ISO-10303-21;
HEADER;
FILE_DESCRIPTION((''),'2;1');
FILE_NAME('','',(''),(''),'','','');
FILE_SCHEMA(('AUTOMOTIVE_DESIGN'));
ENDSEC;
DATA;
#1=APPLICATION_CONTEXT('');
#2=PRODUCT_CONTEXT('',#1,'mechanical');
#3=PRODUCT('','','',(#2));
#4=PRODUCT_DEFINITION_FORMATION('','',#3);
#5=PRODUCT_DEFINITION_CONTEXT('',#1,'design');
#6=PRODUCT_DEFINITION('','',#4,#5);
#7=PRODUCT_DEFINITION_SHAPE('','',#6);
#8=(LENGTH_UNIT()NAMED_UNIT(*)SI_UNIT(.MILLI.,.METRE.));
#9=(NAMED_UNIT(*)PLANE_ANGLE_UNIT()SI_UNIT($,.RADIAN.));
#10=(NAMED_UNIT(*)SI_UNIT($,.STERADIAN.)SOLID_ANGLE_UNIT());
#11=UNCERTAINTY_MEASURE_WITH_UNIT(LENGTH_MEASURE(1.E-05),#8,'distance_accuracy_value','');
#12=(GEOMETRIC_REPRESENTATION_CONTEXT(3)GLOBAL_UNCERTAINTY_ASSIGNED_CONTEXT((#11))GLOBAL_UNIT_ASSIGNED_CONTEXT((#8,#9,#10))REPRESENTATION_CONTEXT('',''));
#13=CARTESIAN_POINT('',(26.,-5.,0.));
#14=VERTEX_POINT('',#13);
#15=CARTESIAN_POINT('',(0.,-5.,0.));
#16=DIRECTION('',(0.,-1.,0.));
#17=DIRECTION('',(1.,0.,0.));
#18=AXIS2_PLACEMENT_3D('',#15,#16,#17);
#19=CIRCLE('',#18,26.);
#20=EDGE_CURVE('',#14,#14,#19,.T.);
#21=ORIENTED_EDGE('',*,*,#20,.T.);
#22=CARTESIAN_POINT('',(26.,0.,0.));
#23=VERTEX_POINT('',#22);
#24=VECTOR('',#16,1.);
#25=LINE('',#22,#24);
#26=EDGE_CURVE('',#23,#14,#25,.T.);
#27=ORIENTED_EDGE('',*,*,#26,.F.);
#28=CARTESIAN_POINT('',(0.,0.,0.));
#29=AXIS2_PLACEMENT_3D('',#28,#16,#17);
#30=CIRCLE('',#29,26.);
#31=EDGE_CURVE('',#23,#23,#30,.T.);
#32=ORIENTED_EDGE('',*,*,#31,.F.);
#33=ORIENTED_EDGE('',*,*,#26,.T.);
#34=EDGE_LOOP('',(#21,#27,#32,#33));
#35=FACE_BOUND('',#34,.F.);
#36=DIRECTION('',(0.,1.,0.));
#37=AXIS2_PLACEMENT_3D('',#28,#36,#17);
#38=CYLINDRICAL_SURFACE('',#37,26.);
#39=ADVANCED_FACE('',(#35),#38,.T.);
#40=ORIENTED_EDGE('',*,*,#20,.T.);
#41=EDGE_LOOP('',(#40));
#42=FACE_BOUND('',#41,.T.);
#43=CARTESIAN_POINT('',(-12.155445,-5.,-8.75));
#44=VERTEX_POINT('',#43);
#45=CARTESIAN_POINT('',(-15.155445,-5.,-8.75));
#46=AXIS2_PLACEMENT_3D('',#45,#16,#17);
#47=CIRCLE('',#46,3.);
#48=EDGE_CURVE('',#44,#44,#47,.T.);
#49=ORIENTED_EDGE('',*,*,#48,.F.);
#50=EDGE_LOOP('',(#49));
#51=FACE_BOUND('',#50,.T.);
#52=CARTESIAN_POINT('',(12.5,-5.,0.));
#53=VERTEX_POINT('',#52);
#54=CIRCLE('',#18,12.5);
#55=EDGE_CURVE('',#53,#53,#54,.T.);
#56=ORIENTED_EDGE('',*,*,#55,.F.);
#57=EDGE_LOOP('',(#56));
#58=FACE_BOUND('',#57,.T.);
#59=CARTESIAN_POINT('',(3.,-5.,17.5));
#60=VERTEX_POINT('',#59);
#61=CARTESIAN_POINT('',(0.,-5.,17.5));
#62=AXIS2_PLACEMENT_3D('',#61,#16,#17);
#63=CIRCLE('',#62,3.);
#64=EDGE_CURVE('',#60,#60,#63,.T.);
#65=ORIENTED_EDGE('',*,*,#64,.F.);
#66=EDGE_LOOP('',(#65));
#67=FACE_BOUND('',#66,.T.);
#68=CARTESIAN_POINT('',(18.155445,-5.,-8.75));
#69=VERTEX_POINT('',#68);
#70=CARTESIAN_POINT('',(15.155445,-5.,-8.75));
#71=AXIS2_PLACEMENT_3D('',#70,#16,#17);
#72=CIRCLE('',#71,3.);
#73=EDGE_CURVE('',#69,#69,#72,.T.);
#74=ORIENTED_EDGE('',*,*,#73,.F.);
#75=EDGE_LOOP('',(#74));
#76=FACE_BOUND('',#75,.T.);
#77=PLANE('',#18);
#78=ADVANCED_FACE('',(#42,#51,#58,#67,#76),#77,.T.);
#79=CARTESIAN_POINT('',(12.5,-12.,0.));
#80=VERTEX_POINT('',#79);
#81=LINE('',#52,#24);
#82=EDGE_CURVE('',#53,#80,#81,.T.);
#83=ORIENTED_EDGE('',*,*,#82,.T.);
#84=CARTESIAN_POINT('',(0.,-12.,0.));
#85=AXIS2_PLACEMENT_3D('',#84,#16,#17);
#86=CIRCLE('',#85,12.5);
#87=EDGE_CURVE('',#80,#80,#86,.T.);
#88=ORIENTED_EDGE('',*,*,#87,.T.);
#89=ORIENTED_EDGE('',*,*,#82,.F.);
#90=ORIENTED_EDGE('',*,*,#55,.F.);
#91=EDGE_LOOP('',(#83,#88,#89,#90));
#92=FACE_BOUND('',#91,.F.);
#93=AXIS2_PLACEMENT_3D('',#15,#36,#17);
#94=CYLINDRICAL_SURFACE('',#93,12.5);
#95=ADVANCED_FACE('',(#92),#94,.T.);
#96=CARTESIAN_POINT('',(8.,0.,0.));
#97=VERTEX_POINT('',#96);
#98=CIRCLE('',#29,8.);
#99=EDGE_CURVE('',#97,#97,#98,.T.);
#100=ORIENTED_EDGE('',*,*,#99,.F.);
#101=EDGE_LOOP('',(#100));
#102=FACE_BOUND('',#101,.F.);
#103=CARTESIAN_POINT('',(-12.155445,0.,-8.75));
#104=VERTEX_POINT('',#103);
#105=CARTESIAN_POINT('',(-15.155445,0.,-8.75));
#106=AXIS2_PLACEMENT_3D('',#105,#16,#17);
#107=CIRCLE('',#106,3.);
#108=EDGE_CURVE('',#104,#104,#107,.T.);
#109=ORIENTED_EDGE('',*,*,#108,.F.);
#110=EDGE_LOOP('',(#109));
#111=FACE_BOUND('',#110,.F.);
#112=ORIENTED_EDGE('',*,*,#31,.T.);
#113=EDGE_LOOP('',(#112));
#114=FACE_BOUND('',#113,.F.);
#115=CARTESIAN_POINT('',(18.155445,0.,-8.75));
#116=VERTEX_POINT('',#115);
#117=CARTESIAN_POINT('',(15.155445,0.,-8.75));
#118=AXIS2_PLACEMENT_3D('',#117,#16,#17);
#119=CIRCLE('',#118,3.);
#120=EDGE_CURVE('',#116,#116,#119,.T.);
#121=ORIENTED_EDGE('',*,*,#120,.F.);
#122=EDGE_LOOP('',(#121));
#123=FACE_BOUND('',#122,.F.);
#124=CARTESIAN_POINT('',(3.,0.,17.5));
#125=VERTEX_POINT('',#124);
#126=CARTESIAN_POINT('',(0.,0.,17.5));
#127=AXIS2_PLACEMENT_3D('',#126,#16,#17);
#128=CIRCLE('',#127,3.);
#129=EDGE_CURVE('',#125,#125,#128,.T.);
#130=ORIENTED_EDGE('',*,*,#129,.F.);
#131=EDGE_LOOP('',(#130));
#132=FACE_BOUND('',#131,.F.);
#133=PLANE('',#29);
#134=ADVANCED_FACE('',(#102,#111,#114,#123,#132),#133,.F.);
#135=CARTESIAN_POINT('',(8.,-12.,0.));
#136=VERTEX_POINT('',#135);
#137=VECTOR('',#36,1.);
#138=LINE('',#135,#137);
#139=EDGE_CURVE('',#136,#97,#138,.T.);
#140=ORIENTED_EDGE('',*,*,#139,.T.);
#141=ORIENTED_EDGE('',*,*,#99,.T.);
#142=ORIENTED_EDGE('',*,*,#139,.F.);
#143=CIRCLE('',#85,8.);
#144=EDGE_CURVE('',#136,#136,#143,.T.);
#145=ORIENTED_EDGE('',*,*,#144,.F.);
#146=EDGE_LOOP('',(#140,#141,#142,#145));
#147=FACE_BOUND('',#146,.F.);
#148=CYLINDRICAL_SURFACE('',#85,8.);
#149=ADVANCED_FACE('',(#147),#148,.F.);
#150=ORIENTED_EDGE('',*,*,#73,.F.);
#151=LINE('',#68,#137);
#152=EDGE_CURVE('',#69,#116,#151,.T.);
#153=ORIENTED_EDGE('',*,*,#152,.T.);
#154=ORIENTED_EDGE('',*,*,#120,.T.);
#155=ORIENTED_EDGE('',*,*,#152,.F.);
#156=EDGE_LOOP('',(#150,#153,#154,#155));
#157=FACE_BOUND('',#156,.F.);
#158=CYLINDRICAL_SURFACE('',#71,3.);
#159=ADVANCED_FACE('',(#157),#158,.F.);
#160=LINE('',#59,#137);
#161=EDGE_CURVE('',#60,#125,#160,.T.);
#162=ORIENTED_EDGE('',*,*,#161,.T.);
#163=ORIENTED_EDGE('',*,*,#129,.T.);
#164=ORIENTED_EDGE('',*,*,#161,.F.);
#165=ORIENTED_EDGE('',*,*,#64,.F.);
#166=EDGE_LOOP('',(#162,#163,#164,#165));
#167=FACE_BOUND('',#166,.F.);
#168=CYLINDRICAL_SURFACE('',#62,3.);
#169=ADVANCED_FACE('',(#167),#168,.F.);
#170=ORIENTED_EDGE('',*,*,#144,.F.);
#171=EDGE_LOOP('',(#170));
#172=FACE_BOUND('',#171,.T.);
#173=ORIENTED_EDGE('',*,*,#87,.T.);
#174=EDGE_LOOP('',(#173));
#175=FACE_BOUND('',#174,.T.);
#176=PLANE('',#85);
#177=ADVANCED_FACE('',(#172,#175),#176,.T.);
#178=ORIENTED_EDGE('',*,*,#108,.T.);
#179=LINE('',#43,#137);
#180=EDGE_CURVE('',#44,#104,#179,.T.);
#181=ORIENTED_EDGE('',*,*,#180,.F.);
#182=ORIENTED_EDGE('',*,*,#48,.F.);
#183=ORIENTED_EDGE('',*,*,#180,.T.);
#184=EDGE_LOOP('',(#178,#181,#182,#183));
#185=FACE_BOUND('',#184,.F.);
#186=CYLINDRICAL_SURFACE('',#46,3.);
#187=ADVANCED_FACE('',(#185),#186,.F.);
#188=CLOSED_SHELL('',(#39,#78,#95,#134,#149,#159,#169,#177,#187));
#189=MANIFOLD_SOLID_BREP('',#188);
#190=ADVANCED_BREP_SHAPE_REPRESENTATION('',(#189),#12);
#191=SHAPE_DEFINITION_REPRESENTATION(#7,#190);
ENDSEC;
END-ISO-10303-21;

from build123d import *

# Parameters (mm, degrees)
F0_R     = 26
F1_DEPTH = 5
F2_R     = 12.5
F3_DEPTH = 7
F4_R     = 3
F5_DEPTH = 25
F6_R     = 8
F7_DEPTH = 25


with BuildPart() as f1:
    # F0 (on Front) → F1 (new body)
    with BuildSketch(Plane.XZ):
        Circle(F0_R)
    extrude(amount=F1_DEPTH)

    # F2 (on face) → F3 (join)
    with BuildSketch(Plane.XZ.offset(5)):
        Circle(F2_R)
    extrude(amount=F3_DEPTH)

    # F4 (on face) → F5 (cut)
    with BuildSketch(Plane.XZ.offset(5)):
        with Locations((0, 17.5)):
            Circle(F4_R)
        with Locations((-15.155445, -8.75)):
            Circle(F4_R)
        with Locations((15.155445, -8.75)):
            Circle(F4_R)
    extrude(amount=-F5_DEPTH, mode=Mode.SUBTRACT)

    # F6 (on face) → F7 (cut)
    with BuildSketch(Plane.XZ.offset(12)):
        Circle(F6_R)
    extrude(amount=-F7_DEPTH, mode=Mode.SUBTRACT)


solid = f1.part
